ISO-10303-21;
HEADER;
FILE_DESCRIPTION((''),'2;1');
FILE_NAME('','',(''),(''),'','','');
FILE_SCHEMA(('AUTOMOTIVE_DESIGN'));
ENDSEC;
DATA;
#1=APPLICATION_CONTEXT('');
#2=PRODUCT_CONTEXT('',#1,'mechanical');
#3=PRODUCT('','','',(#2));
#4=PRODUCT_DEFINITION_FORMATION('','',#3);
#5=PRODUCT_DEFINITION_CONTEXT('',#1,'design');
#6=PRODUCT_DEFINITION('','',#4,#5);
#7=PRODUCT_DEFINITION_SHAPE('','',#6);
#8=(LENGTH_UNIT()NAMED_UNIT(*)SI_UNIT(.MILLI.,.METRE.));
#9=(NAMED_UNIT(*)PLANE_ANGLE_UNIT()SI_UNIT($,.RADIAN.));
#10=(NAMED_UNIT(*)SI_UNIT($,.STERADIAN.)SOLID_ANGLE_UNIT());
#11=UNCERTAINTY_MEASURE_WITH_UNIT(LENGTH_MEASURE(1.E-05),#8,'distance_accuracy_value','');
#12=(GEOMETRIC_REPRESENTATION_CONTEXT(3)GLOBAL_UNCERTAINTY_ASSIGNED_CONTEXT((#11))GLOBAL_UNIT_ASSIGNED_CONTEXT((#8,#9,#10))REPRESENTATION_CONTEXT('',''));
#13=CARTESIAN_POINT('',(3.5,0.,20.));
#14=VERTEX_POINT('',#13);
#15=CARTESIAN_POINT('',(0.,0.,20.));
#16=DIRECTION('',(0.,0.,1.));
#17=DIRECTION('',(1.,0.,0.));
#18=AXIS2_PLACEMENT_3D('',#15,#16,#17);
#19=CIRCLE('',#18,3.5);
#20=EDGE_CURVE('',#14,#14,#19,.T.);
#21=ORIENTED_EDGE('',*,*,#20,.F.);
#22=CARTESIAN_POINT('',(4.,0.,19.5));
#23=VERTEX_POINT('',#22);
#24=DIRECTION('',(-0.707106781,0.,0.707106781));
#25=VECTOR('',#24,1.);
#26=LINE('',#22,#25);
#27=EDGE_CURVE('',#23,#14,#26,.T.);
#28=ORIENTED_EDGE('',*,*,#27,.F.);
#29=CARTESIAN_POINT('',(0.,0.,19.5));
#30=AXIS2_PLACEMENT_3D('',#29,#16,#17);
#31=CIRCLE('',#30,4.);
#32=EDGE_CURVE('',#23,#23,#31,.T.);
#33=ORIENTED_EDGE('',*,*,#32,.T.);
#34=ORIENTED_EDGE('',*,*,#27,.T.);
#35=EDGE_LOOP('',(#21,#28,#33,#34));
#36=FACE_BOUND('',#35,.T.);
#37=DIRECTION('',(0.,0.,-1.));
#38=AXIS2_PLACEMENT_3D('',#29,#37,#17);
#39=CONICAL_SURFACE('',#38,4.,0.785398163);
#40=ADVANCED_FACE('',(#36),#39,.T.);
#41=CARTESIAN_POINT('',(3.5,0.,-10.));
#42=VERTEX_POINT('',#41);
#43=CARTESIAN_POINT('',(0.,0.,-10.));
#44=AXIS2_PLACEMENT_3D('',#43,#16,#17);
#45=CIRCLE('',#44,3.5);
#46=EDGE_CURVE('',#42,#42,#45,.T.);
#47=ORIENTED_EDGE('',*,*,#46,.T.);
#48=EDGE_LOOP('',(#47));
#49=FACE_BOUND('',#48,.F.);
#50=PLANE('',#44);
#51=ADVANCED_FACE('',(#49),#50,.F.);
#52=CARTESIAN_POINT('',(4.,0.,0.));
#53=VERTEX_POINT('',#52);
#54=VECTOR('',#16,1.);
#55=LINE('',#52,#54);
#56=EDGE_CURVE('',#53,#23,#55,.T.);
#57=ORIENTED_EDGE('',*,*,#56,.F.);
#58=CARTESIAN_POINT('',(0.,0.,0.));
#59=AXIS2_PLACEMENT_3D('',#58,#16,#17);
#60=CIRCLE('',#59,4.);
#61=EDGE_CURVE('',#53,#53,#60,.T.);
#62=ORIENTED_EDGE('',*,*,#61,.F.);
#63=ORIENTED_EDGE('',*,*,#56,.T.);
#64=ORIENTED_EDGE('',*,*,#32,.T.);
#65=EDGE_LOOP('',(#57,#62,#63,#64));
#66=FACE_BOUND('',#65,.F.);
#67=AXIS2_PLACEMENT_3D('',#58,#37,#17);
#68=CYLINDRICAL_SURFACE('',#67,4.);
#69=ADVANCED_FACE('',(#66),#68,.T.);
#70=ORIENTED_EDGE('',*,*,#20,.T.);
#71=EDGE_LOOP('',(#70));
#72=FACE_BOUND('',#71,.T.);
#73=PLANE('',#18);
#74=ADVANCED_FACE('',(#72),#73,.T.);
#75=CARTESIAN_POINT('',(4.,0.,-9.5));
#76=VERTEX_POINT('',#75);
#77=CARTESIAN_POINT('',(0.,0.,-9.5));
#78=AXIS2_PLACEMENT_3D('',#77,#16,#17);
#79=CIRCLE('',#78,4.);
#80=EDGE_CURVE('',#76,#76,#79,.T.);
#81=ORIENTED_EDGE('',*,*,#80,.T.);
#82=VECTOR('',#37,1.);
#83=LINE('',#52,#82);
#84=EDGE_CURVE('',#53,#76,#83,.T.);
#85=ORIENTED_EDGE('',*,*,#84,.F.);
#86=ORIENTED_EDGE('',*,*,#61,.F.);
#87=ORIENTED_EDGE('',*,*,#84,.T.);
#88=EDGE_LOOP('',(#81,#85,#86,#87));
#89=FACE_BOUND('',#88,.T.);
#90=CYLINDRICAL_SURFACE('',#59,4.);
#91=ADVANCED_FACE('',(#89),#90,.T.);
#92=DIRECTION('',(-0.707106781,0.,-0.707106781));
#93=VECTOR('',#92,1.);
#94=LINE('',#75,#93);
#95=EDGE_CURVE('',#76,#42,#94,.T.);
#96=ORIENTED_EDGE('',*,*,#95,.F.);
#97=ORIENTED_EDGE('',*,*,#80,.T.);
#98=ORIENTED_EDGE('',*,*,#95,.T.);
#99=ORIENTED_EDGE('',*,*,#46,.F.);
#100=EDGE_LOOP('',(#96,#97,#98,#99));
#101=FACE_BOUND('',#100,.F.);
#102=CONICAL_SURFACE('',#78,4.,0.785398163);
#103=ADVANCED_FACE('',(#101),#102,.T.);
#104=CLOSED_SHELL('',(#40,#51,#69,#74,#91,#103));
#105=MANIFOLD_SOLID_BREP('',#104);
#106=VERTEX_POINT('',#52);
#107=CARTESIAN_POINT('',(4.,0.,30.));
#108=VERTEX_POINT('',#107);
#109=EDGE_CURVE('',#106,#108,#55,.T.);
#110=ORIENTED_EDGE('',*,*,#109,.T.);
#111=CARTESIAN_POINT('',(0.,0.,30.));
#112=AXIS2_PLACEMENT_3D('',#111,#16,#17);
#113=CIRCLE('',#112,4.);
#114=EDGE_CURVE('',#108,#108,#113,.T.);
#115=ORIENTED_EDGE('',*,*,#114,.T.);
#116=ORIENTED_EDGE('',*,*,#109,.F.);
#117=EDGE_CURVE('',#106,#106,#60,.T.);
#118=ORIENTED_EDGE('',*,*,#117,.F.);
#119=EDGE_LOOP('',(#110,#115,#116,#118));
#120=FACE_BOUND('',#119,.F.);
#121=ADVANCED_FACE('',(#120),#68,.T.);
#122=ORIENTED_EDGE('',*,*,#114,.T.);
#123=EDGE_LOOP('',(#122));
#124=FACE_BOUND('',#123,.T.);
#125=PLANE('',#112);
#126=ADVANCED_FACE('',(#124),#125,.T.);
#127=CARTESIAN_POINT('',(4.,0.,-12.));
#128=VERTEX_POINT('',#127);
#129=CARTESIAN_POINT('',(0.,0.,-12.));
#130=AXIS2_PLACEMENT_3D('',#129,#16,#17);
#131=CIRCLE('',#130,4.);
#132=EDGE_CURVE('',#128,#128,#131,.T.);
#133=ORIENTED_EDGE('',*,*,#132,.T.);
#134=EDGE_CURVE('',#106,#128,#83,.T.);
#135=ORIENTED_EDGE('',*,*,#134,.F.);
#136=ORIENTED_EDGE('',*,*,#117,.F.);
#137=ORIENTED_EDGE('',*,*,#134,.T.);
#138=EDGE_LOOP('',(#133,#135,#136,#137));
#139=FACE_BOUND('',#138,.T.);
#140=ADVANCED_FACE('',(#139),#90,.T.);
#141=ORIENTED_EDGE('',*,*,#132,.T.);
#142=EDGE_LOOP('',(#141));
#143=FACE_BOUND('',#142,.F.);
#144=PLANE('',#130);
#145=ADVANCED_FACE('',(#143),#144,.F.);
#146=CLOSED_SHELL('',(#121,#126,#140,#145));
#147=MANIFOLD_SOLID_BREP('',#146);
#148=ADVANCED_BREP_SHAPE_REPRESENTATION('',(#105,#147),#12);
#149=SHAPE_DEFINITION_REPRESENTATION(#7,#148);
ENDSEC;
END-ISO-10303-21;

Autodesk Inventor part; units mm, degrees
ref_plane "YZ Plane" through (0, 0, 0) normal (1, 0, 0) x (0, 1, 0)
ref_plane "XZ Plane" through (0, 0, 0) normal (0, 1, 0) x (-1, 0, 0)
ref_plane "XY Plane" through (0, 0, 0) normal (0, 0, 1) x (1, 0, 0)
sketch "Sketch1" plane through (0, 0, 0) normal (0, 0, 1) x (1, 0, 0)
  circle A0 centre (0, 0) radius 4
  dimension "D" = 8
extrude "Extrusion1" add sketch "Sketch1" along normal blind 20 and the other way blind 10
chamfer "Chamfer1" distance 0.5 angle 45 2 edges at (-4, 0, 20) (-4, 0, -10)
sketch "Sketch2" plane through (0, 0, 0) normal (0, 0, 1) x (1, 0, 0)
  circle A0 centre (0, 0) radius 4
  dimension "d8" = 8
extrude "Extrusion2" add sketch "Sketch2" along normal blind 30 and the other way blind 12 separate body
properties part number "Dowel 30x8" material "TMB 01"
